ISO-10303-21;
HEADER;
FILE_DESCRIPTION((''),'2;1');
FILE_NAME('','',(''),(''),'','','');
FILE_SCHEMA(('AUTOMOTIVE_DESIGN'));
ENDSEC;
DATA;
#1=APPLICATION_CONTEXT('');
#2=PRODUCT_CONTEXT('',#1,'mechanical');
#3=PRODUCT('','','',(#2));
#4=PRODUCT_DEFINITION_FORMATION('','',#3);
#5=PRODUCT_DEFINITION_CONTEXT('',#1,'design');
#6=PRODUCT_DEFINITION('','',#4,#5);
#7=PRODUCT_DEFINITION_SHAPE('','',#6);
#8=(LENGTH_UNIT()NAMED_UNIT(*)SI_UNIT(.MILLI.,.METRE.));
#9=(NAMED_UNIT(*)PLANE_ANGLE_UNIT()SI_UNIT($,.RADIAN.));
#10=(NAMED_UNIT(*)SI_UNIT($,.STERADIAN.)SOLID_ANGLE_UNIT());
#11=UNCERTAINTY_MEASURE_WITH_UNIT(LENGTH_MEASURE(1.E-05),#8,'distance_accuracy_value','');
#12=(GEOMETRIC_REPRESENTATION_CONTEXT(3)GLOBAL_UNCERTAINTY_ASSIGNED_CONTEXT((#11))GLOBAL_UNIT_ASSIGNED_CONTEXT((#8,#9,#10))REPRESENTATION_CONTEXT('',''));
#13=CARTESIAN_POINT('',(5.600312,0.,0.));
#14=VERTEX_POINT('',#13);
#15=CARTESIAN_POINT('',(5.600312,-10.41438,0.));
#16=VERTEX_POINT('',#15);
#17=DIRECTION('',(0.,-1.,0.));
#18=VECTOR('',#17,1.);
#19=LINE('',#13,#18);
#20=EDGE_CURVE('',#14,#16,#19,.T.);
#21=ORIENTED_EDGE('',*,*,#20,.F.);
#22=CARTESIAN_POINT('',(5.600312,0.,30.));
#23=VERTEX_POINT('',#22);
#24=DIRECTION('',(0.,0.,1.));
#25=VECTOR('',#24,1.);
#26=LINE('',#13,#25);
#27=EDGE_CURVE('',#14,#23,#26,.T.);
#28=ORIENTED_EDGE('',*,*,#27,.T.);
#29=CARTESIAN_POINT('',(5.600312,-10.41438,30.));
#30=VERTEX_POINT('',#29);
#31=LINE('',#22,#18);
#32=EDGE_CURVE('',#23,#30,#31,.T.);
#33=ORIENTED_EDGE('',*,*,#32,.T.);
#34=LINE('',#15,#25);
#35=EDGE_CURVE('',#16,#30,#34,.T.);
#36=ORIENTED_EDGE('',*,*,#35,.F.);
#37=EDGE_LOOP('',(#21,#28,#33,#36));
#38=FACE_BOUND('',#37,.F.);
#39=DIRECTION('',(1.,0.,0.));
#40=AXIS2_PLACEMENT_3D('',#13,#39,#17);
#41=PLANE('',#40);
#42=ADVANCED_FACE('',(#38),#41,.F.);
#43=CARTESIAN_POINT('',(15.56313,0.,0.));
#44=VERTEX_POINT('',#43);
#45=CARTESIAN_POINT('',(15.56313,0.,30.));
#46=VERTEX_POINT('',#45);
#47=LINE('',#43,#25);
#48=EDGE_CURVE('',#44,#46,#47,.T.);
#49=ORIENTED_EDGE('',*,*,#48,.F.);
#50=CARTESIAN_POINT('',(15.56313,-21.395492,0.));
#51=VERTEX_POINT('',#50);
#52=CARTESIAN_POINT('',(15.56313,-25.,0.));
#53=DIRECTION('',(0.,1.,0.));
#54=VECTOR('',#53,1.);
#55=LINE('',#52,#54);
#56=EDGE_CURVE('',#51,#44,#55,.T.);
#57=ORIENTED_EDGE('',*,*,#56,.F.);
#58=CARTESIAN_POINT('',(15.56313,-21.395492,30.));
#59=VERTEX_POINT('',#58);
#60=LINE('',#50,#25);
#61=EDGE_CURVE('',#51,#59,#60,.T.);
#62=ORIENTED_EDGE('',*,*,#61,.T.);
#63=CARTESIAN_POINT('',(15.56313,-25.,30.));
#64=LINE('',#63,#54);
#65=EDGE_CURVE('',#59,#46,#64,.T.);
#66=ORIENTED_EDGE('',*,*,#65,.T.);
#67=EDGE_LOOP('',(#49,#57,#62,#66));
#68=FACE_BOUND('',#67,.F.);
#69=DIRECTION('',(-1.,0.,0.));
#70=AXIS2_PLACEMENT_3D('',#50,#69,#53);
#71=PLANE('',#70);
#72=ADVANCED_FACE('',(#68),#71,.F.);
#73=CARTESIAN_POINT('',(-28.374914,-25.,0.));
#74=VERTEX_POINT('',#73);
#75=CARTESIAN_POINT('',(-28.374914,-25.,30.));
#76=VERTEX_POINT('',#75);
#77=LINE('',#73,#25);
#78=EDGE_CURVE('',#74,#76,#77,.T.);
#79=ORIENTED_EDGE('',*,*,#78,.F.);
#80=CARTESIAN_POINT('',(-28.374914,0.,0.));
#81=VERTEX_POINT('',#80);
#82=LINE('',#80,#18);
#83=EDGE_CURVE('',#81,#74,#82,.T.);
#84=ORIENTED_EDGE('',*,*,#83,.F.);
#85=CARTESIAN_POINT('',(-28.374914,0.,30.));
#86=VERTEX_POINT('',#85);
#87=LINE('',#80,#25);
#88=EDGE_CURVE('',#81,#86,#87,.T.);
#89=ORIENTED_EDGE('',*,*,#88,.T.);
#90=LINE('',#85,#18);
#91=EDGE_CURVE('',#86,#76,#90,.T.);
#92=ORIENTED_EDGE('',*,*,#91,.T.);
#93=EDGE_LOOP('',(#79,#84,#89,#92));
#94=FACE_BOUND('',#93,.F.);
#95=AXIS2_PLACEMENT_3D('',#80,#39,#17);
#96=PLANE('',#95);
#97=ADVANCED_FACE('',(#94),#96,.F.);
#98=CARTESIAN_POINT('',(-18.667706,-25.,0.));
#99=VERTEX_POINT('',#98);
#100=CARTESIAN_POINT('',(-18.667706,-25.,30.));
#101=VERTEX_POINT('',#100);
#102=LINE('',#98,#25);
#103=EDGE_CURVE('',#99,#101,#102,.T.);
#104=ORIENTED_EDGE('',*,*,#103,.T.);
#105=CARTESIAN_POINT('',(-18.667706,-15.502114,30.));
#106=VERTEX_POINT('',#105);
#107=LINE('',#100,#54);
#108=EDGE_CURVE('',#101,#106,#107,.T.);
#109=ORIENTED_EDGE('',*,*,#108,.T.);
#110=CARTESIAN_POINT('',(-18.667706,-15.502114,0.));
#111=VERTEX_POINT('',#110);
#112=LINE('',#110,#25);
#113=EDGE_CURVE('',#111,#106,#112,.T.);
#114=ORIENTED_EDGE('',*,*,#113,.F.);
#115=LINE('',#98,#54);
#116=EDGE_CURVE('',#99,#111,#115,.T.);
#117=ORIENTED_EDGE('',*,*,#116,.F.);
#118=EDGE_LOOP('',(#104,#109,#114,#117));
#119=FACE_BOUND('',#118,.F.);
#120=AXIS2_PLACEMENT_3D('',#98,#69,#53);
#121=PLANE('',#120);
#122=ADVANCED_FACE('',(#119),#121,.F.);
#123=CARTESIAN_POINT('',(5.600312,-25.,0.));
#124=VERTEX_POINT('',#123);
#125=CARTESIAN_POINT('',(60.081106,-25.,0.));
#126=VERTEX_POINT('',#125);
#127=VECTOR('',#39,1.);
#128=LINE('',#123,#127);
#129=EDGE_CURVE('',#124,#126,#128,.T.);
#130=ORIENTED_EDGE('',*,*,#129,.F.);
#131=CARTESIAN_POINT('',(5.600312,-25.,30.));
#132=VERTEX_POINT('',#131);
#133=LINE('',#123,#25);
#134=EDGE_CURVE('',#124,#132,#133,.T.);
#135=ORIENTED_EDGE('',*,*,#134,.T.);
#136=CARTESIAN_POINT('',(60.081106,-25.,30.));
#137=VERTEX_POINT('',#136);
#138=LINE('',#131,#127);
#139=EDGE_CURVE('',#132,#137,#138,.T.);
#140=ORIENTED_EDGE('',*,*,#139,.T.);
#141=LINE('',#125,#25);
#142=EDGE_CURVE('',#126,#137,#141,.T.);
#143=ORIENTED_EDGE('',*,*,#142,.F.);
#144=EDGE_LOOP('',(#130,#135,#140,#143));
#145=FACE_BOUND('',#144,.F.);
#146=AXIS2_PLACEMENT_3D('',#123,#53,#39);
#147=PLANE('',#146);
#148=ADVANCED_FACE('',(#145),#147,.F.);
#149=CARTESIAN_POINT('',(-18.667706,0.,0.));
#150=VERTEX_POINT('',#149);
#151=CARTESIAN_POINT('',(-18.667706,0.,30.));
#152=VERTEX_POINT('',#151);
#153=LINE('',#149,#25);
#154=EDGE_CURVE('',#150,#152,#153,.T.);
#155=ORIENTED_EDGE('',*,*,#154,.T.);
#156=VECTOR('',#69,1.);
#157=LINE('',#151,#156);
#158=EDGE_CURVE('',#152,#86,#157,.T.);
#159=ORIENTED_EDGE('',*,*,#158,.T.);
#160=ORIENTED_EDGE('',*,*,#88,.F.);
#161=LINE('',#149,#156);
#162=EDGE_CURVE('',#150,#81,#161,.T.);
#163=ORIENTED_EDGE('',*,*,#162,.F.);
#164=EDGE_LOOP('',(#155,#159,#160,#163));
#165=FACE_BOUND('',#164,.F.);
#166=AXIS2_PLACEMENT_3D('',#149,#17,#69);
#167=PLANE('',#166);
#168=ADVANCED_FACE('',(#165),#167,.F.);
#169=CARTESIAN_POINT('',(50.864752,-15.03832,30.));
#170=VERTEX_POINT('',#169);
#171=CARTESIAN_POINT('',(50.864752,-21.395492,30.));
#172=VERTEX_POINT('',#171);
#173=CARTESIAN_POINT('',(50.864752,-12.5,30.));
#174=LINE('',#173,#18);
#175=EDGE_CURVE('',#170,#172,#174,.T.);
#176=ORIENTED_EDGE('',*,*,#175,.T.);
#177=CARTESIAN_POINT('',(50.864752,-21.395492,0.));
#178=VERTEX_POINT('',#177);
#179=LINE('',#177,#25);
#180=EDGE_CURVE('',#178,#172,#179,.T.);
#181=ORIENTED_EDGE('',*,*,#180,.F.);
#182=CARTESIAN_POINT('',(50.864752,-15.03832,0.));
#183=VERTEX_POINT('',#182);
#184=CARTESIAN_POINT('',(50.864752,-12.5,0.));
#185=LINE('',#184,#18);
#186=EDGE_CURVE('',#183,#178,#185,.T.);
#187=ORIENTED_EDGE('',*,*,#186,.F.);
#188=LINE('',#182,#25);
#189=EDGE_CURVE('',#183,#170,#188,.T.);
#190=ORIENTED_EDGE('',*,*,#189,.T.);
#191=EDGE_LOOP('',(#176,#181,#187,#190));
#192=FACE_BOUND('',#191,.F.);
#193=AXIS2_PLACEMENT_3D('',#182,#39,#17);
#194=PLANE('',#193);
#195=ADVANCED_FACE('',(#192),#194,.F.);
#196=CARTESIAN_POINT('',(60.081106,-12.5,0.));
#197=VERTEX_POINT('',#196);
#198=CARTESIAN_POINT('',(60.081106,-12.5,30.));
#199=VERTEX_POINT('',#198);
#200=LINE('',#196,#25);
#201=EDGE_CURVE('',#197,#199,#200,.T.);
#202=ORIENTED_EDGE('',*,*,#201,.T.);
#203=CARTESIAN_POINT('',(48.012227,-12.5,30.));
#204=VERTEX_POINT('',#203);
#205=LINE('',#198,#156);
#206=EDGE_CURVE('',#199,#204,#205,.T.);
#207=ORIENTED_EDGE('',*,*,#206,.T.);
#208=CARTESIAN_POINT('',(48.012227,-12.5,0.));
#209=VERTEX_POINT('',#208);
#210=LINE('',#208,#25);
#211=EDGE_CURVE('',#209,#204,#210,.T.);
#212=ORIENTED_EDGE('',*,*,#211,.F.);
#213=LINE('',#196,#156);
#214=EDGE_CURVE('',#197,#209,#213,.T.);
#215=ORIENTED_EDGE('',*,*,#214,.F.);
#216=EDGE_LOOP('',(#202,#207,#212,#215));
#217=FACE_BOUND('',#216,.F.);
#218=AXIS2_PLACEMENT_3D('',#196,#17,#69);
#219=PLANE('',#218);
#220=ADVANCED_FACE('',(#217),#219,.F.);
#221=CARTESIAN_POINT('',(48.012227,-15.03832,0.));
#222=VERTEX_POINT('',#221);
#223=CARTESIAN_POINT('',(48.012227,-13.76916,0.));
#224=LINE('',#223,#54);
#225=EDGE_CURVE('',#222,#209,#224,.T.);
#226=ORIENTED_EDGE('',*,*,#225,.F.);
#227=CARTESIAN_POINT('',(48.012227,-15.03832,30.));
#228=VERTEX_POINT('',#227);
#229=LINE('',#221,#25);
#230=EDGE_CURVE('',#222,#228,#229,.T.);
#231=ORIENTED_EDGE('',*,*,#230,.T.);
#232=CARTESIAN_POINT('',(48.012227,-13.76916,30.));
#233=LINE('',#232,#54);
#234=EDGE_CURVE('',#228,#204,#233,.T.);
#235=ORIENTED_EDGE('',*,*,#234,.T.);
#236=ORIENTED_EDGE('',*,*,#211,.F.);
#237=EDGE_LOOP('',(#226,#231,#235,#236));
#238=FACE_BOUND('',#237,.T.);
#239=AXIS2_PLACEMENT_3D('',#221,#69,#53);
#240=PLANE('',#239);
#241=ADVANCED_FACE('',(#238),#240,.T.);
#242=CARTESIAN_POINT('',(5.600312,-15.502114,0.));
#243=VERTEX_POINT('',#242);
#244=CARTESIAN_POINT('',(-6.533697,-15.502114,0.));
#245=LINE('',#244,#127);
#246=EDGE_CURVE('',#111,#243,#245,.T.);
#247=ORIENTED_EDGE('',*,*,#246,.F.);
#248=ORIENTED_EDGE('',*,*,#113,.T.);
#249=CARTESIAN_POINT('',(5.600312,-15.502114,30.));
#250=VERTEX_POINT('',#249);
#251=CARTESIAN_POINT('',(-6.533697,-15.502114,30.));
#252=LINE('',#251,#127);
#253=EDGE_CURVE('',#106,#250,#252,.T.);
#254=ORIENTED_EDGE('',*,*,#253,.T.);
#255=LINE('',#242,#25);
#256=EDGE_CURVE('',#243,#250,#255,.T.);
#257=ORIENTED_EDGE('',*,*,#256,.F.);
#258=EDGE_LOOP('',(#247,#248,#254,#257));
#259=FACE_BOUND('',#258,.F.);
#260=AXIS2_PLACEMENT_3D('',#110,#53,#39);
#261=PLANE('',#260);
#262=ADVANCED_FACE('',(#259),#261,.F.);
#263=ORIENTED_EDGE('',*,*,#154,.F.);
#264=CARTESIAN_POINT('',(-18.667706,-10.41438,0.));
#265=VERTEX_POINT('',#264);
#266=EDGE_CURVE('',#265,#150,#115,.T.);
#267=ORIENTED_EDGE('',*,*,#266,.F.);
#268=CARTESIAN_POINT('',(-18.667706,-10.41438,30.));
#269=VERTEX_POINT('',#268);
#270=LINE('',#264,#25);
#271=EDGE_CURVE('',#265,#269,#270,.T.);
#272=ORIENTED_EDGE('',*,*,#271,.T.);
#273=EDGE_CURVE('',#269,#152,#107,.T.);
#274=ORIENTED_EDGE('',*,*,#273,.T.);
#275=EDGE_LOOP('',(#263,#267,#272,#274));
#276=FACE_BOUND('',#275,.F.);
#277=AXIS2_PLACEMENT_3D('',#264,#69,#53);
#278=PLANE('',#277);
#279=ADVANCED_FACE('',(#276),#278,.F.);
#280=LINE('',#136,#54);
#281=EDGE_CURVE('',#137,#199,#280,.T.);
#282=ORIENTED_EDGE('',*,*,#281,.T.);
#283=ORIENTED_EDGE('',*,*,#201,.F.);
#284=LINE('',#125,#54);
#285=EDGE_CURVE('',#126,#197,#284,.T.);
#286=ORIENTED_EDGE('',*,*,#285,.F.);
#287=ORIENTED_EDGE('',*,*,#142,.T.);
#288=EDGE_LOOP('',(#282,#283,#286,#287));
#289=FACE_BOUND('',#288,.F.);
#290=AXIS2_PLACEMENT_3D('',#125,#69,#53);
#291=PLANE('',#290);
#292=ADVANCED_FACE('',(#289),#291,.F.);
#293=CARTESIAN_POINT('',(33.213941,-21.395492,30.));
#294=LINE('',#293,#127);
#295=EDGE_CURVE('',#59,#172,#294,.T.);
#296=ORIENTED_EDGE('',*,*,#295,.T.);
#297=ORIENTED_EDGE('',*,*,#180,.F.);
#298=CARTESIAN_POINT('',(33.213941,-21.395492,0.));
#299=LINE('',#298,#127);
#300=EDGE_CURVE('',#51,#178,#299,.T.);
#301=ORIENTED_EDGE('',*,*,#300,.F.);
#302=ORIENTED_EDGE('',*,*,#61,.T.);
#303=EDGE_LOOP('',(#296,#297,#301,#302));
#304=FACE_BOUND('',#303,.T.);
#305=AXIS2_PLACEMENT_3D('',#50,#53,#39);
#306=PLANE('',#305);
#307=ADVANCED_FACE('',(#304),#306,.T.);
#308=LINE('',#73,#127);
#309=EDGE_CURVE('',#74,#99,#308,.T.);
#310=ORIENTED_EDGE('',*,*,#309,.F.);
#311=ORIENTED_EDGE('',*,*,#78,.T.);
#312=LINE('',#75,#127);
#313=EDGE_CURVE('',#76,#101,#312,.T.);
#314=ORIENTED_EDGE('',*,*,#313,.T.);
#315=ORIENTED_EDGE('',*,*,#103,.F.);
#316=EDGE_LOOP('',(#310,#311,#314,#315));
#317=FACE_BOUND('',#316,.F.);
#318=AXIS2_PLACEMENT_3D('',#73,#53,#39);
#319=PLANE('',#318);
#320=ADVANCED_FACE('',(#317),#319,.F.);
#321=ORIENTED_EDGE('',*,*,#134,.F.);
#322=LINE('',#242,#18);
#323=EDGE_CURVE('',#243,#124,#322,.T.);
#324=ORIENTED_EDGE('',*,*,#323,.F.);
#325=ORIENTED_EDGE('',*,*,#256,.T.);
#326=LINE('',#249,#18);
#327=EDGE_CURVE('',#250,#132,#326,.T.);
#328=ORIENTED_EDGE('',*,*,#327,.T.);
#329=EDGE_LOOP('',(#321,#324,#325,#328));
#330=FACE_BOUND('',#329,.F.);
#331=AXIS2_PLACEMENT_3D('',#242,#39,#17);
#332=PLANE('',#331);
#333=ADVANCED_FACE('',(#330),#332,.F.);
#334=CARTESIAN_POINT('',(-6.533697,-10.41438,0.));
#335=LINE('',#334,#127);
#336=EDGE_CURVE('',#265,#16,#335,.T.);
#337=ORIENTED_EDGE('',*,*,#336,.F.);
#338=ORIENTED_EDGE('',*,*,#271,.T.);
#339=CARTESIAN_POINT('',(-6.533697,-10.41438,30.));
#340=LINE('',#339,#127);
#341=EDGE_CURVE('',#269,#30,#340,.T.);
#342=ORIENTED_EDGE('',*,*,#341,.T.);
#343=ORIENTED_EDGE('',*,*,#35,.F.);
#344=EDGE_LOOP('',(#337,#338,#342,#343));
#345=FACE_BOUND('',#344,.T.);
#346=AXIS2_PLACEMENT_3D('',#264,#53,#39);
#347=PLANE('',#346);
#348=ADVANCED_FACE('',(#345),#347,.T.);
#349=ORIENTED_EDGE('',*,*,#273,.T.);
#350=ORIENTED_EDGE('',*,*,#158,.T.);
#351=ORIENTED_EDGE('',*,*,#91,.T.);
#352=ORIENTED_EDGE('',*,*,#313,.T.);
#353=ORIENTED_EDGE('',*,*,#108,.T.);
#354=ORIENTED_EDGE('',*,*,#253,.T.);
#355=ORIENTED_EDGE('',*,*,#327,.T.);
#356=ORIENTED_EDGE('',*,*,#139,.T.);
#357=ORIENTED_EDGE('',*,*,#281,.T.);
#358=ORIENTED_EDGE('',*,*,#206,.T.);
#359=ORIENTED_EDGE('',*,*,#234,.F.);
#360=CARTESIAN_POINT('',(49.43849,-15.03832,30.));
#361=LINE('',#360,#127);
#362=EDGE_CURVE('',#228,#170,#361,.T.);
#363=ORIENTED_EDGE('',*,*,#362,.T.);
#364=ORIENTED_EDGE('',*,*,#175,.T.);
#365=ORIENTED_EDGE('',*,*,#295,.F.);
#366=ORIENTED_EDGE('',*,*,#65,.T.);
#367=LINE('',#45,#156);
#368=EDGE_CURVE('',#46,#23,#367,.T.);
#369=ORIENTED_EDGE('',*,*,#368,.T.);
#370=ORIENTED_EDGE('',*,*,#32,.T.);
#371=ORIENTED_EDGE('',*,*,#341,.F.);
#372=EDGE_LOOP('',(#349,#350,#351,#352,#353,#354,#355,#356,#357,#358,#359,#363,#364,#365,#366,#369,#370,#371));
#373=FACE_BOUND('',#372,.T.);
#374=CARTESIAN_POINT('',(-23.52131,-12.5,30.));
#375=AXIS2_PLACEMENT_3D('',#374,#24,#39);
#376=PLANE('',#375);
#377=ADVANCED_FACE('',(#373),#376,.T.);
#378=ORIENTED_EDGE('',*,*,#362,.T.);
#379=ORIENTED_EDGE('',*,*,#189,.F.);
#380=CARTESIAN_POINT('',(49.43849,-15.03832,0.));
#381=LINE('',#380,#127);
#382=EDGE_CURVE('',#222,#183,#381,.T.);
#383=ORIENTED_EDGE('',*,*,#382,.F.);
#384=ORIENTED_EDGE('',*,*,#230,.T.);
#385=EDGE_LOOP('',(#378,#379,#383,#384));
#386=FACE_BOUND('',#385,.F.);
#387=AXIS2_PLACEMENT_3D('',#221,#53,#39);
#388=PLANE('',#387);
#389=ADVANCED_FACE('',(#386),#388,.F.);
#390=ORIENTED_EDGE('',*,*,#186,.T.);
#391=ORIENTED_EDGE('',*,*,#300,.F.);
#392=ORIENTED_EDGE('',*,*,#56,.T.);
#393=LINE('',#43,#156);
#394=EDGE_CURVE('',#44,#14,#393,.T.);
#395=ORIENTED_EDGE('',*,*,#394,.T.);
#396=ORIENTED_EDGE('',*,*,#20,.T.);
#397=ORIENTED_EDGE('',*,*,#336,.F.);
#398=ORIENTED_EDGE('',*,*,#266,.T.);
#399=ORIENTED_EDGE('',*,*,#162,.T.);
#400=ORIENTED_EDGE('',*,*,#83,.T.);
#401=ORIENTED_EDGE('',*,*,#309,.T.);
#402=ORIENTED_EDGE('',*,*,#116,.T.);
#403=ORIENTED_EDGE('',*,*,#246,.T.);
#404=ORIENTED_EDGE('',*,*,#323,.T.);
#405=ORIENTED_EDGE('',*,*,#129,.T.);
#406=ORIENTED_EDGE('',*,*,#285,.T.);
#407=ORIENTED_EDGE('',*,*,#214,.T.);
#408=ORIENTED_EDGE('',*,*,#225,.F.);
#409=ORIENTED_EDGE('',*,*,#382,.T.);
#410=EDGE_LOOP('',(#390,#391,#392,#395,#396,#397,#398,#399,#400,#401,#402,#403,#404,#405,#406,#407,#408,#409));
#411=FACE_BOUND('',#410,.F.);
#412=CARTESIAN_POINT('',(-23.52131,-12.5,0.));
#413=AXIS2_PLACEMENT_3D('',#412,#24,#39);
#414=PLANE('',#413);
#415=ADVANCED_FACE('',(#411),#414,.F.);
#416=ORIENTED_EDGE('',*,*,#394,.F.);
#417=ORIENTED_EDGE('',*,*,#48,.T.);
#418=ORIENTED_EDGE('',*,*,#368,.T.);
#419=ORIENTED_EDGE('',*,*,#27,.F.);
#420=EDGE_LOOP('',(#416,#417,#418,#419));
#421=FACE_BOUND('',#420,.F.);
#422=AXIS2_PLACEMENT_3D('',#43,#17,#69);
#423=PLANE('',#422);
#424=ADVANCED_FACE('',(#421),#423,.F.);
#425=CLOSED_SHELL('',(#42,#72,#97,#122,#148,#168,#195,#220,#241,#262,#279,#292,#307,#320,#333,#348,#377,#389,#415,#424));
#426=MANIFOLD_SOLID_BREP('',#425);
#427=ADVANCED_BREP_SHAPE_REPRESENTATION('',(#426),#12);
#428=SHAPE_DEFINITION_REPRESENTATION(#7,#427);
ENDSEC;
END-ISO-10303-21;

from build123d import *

# Parameters (mm, degrees)
F0_W     = 24.2680183989
F0_H     = 5.0877342001
F0_W_2   = 35.3016227051
F0_H_2   = 3.6045075208
F0_W_3   = 2.852525562
F0_H_3   = 2.53832
F1_DEPTH = 30


with BuildPart() as f1:
    # F0 (on Top) → F1 (new body)
    with BuildSketch(Plane.XY):
        Polygon((-18.6677063226, -10.4143796489), (-18.6677063226, 0), (-28.3749136821, 0), (-28.3749136821, -25), (-18.6677063226, -25), (-18.6677063226, -15.5021138489), align=None)
        with Locations((-6.5336971231, -12.9582467489)):
            Rectangle(F0_W, F0_H)
        Polygon((5.6003120763, 0), (5.6003120763, -10.4143796489), (5.6003120763, -15.5021138489), (5.6003120763, -25), (15.563129677, -25), (15.563129677, -21.3954924792), (15.563129677, 0), align=None)
        with Locations((33.2139410295, -23.1977462396)):
            Rectangle(F0_W_2, F0_H_2)
        Polygon((50.864752382, -21.3954924792), (50.864752382, -25), (60.0811056793, -25), (60.0811056793, -12.5), (50.864752382, -12.5), (50.864752382, -15.03832), align=None)
        with Locations((49.438489601, -13.76916)):
            Rectangle(F0_W_3, F0_H_3)
    extrude(amount=F1_DEPTH)


solid = f1.part
